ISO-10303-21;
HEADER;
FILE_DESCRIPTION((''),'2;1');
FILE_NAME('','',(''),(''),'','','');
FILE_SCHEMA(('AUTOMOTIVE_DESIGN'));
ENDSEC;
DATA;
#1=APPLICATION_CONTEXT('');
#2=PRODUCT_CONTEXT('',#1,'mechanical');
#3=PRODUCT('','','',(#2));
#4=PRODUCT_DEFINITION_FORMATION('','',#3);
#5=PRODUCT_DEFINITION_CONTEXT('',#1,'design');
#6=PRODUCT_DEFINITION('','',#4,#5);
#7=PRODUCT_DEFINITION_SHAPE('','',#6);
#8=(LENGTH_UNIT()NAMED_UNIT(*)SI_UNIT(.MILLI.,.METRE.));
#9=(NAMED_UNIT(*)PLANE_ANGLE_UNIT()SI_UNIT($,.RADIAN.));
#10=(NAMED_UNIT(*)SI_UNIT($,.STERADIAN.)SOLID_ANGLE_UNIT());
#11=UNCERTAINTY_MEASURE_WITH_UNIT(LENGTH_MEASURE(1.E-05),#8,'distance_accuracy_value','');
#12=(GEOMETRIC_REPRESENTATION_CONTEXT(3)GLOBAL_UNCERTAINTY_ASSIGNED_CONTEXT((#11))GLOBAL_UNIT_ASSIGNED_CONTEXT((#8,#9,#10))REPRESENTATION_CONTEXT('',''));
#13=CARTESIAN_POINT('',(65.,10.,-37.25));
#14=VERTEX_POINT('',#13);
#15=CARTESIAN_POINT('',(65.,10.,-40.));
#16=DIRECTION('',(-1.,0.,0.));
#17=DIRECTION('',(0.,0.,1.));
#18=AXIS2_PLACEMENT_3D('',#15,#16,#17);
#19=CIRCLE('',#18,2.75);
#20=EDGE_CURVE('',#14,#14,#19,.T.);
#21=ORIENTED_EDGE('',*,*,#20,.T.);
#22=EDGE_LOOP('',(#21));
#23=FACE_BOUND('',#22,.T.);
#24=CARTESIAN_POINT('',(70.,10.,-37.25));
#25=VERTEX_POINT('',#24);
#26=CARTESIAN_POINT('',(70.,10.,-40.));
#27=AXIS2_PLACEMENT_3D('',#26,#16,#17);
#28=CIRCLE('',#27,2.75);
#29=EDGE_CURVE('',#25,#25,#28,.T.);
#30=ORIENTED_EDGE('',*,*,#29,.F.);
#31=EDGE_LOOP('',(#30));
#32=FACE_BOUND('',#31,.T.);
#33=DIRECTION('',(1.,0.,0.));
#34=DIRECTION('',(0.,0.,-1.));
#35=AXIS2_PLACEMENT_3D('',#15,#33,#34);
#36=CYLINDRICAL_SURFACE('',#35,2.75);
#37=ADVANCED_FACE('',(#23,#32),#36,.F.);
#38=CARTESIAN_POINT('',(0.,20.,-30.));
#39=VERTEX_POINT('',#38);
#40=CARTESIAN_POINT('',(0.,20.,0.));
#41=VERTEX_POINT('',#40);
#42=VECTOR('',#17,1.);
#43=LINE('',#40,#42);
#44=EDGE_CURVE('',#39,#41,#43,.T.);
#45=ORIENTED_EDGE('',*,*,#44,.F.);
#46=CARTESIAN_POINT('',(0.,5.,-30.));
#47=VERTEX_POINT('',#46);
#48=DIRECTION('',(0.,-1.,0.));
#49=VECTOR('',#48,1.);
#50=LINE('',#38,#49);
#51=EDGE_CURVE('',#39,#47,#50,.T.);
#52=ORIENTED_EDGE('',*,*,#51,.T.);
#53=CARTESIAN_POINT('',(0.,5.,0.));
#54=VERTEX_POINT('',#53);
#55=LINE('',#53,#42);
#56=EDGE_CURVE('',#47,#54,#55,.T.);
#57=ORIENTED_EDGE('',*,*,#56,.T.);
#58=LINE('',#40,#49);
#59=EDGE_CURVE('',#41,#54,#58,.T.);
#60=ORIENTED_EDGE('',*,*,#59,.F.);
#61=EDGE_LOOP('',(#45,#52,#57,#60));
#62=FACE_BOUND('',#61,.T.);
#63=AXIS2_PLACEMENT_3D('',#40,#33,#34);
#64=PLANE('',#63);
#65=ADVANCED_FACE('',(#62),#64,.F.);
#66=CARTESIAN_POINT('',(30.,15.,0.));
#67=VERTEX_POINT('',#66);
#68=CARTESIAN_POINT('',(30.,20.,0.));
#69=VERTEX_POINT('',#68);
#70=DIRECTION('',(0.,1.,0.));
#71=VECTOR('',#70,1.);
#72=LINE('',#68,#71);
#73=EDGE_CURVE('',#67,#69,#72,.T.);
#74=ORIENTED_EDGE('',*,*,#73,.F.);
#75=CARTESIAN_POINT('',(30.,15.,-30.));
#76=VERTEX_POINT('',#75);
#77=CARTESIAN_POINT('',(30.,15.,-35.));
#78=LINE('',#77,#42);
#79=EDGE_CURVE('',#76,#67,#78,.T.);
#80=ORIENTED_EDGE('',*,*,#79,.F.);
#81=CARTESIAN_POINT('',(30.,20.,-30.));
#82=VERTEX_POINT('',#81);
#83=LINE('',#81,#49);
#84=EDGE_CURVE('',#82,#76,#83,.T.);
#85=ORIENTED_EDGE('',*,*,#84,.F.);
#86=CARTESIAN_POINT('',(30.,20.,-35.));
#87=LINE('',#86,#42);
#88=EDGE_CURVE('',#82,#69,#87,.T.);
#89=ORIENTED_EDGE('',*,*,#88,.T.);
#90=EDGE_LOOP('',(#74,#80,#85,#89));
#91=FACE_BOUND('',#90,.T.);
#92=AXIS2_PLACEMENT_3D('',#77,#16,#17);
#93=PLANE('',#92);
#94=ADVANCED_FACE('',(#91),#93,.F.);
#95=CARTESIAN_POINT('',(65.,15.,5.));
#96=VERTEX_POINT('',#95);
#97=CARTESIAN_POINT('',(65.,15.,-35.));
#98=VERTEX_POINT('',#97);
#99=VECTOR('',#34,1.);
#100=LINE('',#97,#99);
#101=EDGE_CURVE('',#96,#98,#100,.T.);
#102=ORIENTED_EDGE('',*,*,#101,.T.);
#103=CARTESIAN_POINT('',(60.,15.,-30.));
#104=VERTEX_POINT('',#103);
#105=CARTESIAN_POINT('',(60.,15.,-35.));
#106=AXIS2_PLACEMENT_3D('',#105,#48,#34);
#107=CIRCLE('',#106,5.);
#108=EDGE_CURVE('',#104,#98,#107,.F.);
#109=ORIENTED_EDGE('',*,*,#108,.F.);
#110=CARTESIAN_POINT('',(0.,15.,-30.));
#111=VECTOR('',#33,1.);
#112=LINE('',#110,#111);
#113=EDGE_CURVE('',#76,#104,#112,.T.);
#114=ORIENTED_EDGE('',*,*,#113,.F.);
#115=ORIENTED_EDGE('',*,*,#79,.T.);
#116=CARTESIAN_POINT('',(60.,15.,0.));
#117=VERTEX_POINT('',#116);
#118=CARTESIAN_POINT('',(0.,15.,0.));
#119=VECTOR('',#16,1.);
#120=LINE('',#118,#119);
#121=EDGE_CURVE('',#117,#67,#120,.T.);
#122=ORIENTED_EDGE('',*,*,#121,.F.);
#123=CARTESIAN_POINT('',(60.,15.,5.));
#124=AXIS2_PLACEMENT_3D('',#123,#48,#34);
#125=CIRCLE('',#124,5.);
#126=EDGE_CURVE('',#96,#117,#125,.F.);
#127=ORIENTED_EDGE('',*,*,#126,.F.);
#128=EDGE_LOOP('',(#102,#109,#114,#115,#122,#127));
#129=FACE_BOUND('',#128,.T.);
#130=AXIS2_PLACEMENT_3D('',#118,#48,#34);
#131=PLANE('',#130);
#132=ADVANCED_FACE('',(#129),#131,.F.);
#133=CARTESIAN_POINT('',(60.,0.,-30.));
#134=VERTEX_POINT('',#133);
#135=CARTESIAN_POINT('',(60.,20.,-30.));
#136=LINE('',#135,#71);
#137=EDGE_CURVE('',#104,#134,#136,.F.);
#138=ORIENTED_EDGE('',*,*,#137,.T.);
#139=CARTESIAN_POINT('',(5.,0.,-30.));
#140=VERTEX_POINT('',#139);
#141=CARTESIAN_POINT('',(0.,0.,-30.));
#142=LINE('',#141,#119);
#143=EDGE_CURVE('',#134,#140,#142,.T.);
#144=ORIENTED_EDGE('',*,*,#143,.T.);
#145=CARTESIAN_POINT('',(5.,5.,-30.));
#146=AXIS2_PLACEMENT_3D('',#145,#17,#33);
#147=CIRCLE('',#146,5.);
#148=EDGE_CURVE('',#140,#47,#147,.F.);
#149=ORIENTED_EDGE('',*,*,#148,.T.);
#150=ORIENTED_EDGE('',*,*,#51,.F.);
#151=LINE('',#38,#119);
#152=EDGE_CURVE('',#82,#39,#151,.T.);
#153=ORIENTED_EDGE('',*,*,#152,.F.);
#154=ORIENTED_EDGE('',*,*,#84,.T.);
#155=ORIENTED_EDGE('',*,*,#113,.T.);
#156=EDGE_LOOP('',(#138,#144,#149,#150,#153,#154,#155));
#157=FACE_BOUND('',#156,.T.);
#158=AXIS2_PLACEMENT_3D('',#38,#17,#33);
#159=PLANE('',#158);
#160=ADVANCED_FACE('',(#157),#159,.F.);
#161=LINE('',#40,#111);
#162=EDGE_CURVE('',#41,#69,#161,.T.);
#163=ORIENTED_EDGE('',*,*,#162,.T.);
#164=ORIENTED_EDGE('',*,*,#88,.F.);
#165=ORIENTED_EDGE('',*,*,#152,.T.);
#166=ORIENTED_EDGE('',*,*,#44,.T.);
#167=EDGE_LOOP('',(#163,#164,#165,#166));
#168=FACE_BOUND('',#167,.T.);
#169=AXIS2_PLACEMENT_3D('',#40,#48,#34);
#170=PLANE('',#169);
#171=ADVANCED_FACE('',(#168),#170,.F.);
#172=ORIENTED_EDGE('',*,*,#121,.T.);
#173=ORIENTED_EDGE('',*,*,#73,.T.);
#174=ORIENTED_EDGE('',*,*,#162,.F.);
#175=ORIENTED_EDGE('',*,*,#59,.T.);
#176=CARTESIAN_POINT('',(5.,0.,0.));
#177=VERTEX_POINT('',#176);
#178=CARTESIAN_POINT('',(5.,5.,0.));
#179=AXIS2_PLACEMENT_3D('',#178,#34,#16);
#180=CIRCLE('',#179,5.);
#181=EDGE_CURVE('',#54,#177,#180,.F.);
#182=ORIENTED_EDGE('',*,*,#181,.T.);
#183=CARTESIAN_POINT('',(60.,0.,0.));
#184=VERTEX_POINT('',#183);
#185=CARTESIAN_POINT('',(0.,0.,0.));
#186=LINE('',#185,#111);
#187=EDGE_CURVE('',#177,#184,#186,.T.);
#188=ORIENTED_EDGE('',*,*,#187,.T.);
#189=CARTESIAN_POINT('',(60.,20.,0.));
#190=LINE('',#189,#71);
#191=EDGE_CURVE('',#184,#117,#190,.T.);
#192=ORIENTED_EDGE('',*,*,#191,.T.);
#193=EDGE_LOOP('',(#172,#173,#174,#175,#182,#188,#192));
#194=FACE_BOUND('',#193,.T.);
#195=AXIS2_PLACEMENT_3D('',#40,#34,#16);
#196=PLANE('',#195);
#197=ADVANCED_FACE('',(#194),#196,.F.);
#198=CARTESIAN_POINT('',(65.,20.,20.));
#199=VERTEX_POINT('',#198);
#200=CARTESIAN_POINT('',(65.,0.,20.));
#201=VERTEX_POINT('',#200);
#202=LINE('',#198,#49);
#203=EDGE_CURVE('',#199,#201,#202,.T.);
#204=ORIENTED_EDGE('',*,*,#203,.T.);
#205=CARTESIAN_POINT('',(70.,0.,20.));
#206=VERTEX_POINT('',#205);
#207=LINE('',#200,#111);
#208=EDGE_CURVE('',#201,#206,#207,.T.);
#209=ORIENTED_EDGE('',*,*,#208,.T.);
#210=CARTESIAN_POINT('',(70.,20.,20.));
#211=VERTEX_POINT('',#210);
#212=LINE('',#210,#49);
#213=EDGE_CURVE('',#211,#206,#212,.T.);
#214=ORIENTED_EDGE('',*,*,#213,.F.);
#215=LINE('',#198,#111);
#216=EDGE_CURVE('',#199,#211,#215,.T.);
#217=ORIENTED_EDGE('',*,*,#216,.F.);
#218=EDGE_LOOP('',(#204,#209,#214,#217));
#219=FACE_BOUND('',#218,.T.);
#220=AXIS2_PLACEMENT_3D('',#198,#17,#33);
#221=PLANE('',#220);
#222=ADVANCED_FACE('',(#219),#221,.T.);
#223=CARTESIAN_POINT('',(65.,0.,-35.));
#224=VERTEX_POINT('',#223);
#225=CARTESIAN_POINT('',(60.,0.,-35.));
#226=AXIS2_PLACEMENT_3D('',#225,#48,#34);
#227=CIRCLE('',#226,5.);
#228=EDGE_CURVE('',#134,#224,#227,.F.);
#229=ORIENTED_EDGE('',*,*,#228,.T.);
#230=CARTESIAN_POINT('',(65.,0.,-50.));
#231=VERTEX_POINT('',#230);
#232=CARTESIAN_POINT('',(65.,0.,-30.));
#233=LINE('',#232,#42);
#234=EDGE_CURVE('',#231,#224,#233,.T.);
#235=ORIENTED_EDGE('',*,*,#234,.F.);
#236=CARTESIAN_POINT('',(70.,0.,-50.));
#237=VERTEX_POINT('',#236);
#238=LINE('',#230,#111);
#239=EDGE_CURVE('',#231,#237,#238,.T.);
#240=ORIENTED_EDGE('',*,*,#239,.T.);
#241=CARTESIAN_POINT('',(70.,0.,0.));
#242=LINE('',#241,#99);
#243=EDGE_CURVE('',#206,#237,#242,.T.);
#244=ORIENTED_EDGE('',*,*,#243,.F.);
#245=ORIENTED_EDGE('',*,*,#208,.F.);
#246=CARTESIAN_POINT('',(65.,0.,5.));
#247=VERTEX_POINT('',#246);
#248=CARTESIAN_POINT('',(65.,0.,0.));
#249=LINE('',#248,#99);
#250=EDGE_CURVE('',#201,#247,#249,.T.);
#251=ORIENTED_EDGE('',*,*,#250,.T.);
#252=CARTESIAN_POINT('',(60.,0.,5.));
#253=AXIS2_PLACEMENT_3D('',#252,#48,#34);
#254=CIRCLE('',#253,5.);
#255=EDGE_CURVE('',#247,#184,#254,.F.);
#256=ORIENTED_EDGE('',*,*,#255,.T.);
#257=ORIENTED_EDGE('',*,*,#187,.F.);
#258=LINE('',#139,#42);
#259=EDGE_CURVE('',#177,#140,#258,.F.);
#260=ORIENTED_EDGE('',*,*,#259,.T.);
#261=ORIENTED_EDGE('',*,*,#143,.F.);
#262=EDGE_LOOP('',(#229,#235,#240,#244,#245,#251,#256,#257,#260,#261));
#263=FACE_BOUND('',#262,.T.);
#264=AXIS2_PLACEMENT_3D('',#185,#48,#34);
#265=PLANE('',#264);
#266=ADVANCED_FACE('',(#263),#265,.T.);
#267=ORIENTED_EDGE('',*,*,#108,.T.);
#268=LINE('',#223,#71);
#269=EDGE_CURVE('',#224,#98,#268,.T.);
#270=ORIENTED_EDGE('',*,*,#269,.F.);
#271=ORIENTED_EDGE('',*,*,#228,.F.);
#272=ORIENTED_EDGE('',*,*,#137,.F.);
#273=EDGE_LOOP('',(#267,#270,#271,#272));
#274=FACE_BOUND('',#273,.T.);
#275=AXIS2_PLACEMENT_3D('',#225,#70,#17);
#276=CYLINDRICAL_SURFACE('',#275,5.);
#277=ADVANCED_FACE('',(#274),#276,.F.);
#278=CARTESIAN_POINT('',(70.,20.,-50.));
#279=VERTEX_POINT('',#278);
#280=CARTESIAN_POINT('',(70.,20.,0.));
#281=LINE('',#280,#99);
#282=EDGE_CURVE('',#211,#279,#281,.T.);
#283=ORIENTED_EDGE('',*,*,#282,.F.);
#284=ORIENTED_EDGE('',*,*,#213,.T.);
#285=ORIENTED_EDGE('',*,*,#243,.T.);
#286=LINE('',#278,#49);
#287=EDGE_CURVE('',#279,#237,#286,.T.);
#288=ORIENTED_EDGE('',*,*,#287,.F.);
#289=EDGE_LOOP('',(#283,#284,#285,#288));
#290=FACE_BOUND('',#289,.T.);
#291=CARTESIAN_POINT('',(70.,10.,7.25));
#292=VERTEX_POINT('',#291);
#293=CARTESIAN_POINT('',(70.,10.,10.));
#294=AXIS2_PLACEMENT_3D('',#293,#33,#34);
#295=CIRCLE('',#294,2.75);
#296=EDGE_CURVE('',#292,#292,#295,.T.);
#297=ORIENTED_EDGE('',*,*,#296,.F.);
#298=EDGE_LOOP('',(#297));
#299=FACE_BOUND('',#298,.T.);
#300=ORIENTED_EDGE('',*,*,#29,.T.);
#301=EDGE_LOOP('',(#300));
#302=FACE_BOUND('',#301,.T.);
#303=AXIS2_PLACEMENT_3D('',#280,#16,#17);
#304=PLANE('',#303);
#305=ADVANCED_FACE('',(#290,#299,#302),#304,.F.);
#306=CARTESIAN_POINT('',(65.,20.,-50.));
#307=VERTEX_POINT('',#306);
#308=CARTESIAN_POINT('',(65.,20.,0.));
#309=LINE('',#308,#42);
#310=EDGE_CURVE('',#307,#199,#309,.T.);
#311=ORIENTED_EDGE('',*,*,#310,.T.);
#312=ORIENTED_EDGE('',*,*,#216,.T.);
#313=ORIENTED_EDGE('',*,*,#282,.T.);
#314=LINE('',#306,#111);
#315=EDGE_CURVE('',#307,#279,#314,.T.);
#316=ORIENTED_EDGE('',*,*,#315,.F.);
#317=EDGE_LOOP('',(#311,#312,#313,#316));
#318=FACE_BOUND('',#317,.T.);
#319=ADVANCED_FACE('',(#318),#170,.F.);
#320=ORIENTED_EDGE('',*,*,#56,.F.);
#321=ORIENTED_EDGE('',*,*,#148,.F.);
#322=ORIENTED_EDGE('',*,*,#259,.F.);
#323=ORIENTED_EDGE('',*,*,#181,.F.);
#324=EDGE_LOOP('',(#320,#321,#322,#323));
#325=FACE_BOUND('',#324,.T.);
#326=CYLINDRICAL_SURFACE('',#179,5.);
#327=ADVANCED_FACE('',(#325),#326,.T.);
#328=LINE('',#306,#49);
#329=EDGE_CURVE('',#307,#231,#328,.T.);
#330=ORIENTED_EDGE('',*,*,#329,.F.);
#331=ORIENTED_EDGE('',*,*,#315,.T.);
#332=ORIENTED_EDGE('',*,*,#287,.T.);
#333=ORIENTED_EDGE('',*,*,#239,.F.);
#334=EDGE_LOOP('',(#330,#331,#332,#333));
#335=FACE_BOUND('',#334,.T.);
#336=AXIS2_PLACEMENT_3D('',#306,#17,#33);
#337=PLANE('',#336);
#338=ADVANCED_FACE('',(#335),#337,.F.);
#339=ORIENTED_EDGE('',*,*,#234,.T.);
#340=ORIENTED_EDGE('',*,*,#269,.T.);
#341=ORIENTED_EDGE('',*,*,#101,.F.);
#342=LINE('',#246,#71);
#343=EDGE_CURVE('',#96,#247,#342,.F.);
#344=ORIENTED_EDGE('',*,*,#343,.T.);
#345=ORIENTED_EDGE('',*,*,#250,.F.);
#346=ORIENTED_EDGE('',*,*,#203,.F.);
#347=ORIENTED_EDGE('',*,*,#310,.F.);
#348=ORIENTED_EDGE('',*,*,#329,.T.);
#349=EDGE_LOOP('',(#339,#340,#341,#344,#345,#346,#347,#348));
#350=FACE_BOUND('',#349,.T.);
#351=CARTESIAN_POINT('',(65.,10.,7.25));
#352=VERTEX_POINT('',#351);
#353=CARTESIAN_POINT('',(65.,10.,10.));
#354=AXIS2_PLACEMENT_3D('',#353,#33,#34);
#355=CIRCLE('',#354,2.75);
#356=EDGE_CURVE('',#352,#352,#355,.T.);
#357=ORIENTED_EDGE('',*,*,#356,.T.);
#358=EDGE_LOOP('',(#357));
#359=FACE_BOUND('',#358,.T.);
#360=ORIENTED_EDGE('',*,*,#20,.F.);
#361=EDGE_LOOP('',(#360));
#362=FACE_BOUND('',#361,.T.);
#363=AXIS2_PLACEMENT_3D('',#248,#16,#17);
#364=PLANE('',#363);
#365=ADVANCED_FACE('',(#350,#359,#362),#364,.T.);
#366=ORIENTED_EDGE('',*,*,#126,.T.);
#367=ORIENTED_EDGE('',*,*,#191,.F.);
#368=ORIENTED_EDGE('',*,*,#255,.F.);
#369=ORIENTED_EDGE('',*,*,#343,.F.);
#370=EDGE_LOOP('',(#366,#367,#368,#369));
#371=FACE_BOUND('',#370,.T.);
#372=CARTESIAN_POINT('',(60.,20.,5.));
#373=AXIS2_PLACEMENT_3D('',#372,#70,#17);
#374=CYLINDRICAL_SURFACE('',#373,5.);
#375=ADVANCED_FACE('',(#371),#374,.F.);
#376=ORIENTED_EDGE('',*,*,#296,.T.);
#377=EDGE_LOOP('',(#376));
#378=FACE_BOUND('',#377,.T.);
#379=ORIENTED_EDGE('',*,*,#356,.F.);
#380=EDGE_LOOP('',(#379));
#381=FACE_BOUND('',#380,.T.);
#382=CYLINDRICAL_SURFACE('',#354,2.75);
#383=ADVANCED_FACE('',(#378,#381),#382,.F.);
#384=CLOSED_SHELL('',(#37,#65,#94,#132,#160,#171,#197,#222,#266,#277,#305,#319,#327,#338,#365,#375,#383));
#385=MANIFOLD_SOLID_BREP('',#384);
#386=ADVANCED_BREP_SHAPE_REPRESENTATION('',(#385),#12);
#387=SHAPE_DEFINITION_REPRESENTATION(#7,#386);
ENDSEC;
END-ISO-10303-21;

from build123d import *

# Parameters (mm, degrees)
SKETCH1_W           = 70
SKETCH1_H           = 30
BOSS_EXTRUDE1_DEPTH = 20
SKETCH8_W           = 20
SKETCH8_H           = 20
SKETCH8_R           = 2.75
BOSS_EXTRUDE5_DEPTH = 5
FILLET3_R           = 5
SKETCH9_W           = 35
SKETCH9_H           = 40
CUT_EXTRUDE5_DEPTH  = 5


with BuildPart() as part:
    # Sketch1 → Boss-Extrude1 (new body)
    with BuildSketch(Plane(origin=(0, 0, 0), x_dir=(1, 0, 0), z_dir=(0, 1, 0))):
        with Locations((35, 15)):
            Rectangle(SKETCH1_W, SKETCH1_H)
    extrude(amount=BOSS_EXTRUDE1_DEPTH)

    # Sketch8 → Boss-Extrude5 (add)
    with BuildSketch(Plane(origin=(70, 0, 0), x_dir=(0, 0, -1), z_dir=(1, 0, 0))):
        with Locations((-10, 10)):
            Rectangle(SKETCH8_W, SKETCH8_H)
        with Locations((-10, 10)):
            Circle(SKETCH8_R, mode=Mode.SUBTRACT)
    boss_extrude5 = extrude(amount=-BOSS_EXTRUDE5_DEPTH)

    # Mirror1: Boss-Extrude5 across plane
    add(boss_extrude5.mirror(Plane.XY.offset(-15)))

    # Fillet3
    fillet3_edges = [part.edges().sort_by_distance(p)[0] for p in [
        (65, 10, 0),
        (65, 10, -30),
        (0, 0, -15),
    ]]
    fillet(fillet3_edges, radius=FILLET3_R)

    # Sketch9 → Cut-Extrude5 (cut)
    with BuildSketch(Plane(origin=(0, 20, 0), x_dir=(1, 0, 0), z_dir=(0, 1, 0))):
        with Locations((47.5, 15)):
            Rectangle(SKETCH9_W, SKETCH9_H)
    extrude(amount=-CUT_EXTRUDE5_DEPTH, mode=Mode.SUBTRACT)


solid = part.part
